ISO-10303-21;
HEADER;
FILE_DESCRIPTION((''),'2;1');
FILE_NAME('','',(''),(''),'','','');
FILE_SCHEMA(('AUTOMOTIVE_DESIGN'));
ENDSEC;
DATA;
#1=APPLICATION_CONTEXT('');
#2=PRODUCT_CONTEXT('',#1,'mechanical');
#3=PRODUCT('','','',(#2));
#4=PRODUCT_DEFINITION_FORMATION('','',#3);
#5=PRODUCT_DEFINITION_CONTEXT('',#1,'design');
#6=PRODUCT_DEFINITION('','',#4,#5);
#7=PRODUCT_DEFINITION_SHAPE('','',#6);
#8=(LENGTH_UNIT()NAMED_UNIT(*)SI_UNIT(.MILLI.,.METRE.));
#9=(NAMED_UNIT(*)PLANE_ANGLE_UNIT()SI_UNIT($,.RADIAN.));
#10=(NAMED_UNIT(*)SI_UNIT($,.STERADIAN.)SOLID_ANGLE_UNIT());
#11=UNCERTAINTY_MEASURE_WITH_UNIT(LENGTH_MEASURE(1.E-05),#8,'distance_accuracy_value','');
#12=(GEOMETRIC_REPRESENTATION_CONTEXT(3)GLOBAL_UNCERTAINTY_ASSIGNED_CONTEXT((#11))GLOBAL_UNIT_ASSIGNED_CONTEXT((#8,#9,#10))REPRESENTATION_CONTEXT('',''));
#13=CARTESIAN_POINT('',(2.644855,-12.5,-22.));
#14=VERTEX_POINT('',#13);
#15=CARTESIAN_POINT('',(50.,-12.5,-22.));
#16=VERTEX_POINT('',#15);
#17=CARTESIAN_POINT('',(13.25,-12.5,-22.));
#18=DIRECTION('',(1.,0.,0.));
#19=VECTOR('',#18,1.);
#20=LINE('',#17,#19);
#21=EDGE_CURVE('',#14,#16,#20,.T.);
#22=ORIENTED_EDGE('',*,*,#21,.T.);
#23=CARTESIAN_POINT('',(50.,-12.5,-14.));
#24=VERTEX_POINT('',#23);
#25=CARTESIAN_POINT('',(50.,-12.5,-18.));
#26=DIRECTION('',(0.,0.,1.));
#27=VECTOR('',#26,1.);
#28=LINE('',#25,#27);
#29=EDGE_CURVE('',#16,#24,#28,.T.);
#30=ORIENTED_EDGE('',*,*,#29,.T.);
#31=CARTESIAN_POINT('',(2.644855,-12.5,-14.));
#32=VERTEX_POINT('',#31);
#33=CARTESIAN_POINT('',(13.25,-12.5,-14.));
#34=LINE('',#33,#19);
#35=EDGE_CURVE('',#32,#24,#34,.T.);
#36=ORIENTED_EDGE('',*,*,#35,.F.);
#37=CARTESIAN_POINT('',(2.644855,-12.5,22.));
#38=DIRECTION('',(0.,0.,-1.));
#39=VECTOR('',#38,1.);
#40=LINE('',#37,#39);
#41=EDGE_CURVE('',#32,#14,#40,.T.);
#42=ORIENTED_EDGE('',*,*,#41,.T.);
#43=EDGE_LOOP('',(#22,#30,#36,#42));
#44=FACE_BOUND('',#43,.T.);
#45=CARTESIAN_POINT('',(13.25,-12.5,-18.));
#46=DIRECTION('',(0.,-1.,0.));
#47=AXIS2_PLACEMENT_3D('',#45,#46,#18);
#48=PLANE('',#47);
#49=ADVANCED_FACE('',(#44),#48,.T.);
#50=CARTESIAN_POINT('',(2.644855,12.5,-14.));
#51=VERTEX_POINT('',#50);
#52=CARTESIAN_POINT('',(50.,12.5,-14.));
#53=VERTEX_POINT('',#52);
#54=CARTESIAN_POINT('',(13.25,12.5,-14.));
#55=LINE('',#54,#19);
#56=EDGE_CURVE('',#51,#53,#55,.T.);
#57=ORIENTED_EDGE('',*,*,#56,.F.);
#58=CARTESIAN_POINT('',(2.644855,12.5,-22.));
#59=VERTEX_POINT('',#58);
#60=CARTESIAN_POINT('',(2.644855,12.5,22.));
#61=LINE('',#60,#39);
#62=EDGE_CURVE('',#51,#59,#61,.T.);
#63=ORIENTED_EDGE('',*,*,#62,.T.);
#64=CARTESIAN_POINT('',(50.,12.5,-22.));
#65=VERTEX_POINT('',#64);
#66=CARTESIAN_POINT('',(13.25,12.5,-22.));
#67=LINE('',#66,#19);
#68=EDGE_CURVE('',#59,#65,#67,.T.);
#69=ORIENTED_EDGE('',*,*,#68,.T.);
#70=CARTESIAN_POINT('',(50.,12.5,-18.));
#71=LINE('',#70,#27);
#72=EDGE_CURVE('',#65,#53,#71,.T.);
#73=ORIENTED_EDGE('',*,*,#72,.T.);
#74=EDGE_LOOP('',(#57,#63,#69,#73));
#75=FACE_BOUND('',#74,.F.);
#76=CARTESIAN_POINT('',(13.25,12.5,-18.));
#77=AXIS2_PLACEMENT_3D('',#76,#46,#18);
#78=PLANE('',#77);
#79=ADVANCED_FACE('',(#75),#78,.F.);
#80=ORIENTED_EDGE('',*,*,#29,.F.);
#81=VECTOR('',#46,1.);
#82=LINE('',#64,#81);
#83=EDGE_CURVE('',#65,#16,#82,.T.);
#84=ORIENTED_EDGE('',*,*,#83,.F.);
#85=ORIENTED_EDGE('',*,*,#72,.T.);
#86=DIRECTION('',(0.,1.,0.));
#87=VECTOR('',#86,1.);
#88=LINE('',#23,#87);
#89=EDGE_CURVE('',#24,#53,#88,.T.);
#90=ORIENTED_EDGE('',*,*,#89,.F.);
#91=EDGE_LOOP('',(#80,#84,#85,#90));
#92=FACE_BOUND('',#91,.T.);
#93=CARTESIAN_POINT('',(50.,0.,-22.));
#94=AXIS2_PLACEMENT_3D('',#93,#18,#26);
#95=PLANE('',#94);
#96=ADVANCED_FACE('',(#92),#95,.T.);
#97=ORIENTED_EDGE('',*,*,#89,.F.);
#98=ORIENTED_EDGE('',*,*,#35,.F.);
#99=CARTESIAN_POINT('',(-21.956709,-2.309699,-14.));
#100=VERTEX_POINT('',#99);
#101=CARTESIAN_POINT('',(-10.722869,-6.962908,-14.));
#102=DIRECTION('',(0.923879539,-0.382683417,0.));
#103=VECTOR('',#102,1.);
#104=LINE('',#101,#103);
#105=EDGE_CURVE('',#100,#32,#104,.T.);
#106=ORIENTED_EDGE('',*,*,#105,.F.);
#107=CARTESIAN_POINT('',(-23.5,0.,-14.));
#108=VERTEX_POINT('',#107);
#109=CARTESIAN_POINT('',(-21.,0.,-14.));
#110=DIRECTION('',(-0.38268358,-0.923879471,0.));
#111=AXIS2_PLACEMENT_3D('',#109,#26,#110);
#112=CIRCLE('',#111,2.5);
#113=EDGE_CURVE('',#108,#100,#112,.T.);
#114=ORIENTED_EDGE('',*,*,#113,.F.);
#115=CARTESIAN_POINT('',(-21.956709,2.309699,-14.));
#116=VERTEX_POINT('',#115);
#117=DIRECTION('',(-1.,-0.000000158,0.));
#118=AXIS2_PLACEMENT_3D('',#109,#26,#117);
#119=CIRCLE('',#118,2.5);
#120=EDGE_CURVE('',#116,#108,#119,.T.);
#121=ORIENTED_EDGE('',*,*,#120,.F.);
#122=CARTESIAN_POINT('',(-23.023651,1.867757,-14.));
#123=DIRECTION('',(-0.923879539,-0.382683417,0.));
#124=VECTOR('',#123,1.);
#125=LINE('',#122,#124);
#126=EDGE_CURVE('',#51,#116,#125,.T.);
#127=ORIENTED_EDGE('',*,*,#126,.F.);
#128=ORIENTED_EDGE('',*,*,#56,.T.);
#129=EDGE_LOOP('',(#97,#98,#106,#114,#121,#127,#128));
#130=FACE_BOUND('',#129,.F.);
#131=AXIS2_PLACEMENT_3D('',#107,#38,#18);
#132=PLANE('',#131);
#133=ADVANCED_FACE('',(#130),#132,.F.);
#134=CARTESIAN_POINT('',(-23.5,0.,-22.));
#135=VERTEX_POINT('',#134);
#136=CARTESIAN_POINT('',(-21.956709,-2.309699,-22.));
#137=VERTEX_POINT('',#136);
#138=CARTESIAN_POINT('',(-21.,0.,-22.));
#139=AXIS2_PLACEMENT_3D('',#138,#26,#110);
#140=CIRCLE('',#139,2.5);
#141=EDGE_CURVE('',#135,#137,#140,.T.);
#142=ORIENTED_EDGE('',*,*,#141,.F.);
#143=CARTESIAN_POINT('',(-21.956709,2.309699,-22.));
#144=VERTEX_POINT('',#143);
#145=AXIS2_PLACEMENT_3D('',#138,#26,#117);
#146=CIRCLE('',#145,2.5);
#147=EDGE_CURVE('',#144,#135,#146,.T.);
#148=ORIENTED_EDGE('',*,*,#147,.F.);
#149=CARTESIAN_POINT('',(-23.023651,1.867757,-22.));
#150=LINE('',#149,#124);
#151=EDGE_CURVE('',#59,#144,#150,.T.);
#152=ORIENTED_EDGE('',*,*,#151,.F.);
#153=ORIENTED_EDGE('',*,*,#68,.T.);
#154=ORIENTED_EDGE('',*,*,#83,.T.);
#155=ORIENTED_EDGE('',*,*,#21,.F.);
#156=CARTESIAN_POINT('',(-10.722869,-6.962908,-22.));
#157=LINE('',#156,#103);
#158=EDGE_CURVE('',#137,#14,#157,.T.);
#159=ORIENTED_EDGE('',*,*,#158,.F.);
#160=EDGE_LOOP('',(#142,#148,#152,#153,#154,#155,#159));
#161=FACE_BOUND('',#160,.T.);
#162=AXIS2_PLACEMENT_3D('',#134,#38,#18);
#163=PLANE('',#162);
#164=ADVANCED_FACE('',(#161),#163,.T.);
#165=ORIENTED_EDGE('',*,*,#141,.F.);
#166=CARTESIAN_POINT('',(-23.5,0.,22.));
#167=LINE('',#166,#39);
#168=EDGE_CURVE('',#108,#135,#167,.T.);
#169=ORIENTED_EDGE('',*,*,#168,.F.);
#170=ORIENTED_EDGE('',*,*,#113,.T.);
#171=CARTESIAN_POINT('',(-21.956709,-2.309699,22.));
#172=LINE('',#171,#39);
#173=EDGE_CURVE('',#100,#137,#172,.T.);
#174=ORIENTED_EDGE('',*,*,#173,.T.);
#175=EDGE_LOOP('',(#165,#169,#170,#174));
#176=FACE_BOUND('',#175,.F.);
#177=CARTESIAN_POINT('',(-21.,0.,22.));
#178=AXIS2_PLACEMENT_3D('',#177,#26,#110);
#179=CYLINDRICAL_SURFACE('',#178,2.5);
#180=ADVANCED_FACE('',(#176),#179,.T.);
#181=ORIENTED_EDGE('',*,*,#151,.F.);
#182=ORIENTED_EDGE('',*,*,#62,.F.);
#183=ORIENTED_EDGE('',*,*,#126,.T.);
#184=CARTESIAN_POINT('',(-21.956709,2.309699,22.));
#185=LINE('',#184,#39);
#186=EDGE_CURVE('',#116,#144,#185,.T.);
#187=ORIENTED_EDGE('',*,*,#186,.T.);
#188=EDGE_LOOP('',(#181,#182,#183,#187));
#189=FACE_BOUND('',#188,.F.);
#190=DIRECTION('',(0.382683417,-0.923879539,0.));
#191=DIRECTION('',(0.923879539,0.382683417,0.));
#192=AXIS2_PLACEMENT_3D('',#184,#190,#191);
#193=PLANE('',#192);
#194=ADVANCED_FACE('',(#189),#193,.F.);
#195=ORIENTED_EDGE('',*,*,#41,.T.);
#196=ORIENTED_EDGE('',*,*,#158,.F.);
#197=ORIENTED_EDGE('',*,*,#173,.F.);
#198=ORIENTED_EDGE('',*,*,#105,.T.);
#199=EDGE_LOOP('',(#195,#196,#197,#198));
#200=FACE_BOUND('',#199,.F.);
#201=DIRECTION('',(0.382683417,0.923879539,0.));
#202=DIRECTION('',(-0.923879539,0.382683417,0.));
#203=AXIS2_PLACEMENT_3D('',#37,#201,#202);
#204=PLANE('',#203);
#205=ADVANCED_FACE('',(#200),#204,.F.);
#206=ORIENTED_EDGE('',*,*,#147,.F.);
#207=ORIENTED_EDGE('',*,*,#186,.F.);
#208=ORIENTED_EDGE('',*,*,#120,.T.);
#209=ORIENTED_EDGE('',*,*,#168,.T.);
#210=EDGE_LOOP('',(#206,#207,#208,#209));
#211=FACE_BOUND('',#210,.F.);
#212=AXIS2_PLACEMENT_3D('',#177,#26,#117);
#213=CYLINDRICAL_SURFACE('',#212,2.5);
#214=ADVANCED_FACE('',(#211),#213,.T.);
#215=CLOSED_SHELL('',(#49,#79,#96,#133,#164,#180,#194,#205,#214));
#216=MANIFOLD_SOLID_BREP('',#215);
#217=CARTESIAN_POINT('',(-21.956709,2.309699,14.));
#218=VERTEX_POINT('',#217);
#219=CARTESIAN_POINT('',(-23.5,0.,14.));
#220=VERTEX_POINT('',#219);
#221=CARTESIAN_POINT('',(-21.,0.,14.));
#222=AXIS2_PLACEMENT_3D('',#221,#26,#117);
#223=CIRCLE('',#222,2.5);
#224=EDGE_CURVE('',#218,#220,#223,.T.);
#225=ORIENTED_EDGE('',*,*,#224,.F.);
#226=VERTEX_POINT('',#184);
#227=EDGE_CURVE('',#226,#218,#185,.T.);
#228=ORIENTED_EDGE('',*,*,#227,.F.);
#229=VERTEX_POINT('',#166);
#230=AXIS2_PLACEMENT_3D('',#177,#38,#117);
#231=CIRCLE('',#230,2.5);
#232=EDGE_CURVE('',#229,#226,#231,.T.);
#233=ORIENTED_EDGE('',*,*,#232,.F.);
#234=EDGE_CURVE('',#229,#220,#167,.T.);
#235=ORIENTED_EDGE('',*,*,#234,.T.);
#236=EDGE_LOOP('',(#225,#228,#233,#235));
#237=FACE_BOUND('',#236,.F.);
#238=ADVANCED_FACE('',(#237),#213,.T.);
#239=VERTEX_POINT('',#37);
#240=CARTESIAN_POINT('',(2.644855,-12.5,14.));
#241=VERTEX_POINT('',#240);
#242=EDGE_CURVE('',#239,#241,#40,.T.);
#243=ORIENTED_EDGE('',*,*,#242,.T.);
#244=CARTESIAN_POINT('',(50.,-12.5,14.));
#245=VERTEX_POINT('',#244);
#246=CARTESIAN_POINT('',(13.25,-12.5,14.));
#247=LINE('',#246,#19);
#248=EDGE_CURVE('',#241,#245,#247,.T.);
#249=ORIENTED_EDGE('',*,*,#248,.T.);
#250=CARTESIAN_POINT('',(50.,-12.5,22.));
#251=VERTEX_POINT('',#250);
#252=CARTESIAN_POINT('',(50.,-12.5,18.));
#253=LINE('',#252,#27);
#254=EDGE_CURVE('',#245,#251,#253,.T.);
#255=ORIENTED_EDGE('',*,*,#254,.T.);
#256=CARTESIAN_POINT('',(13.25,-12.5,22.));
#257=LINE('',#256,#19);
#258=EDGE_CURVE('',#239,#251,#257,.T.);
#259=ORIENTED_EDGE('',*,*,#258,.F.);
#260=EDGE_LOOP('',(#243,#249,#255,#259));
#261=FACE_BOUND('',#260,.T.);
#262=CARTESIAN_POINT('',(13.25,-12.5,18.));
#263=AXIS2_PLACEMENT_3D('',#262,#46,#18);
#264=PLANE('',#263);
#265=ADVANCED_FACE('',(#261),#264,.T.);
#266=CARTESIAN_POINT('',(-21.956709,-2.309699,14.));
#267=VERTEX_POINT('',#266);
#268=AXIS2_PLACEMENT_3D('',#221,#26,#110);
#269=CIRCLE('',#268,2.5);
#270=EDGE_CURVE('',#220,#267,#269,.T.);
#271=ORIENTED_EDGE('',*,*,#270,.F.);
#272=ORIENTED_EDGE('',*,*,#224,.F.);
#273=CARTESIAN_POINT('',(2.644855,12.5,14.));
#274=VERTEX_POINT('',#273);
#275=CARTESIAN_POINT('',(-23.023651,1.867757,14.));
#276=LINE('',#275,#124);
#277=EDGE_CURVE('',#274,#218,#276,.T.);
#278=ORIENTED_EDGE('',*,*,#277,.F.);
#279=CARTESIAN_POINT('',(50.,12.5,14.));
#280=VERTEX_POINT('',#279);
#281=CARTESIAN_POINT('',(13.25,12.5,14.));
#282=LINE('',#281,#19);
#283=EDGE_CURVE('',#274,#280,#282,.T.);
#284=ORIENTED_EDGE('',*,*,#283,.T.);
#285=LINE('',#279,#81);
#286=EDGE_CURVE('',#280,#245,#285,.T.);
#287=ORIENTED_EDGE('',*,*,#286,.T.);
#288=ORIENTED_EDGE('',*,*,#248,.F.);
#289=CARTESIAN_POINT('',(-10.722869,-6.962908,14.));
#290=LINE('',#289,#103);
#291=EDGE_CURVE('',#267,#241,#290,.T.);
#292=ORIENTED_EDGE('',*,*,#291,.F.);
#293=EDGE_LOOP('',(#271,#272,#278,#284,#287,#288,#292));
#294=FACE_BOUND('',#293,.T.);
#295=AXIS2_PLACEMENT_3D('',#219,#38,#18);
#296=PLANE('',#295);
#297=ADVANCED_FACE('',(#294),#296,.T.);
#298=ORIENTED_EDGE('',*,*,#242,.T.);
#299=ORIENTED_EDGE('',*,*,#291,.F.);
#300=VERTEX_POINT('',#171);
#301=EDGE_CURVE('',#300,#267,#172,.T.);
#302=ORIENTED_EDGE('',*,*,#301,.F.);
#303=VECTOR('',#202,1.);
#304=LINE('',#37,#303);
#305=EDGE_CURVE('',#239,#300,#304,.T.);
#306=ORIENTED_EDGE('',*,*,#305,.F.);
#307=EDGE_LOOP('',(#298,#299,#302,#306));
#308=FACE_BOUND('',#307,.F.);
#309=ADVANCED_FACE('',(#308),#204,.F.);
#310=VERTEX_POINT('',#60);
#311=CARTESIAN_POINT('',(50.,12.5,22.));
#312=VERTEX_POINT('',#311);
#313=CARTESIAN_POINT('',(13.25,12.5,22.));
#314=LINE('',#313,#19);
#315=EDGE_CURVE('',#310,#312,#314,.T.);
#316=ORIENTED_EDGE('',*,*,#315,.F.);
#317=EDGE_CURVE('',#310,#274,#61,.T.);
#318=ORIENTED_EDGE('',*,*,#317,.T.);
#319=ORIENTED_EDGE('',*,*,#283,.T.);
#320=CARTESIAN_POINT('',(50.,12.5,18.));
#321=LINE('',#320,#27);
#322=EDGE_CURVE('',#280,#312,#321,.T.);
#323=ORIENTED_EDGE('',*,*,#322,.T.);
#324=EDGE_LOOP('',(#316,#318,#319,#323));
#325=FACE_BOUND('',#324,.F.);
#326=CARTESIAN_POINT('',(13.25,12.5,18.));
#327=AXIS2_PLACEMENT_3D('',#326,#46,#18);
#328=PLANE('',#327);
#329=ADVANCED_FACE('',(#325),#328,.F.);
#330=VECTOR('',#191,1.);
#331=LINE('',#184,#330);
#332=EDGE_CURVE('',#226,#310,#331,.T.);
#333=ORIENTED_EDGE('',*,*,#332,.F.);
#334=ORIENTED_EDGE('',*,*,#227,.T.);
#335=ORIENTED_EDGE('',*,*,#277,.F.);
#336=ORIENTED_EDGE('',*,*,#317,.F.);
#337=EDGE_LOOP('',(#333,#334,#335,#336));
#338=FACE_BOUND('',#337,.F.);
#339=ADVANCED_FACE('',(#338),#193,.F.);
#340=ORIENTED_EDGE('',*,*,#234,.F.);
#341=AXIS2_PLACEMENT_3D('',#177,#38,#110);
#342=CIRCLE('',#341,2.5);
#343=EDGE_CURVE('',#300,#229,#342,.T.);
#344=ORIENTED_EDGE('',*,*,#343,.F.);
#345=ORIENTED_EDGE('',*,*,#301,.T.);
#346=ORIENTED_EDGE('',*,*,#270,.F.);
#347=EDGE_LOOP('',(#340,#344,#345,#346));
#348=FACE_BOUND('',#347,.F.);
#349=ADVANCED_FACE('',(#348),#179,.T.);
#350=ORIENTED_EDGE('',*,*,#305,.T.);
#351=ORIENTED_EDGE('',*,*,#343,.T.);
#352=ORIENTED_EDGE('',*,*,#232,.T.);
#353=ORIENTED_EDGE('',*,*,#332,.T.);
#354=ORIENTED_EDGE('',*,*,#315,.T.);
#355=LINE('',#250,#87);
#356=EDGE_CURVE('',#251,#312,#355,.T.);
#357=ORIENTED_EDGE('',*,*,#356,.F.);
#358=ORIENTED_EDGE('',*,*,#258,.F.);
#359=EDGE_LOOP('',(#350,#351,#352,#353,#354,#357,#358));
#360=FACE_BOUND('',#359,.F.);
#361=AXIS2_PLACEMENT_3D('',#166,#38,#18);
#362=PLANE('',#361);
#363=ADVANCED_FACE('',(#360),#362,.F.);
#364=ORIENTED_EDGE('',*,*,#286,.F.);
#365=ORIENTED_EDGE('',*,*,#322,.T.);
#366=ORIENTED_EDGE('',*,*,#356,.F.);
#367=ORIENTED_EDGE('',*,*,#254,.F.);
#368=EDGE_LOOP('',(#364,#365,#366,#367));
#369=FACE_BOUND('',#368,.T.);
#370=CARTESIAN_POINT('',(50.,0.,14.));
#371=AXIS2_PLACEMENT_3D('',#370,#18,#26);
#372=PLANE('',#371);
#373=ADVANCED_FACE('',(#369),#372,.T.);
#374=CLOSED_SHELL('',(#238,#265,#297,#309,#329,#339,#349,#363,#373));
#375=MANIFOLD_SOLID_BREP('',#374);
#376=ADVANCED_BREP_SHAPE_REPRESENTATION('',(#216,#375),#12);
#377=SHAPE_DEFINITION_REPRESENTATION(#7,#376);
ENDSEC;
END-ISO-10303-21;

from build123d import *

# Parameters (mm, degrees)
F2_W          = 73.5
F2_H          = 8
F3_DEPTH      = 12.5
F3_DEPTH_BACK = 12.5
F4_DEPTH      = 12.5
F4_DEPTH_BACK = 12.5
F6_DEPTH      = 44.001


with BuildPart() as f3:
    # F2 (on Front) → F3 (new body, two sides)
    with BuildSketch(Plane.XZ) as f3_sk:
        with Locations((13.25, 18)):
            Rectangle(F2_W, F2_H)
    extrude(amount=F3_DEPTH)
    extrude(f3_sk.sketch, amount=-F3_DEPTH_BACK)


with BuildPart() as f4:
    # F2 (on Front) → F4 (new body, two sides)
    with BuildSketch(Plane.XZ) as f4_sk:
        with Locations((13.25, -18)):
            Rectangle(F2_W, F2_H)
    extrude(amount=F4_DEPTH)
    extrude(f4_sk.sketch, amount=-F4_DEPTH_BACK)


with BuildPart() as f6_tool:
    # F5 (on face) → F6 (new body, through all)
    with BuildSketch(Plane.XY.offset(22)):
        with BuildLine():
            ThreePointArc((-23.5, 0), (-23.078674, 1.388926), (-21.956709, 2.309699))
            Line((-21.956709, 2.309699), (2.644855, 12.5))
            Line((2.644855, 12.5), (-23.5, 12.5))
            Line((-23.5, 12.5), (-23.5, 0))
        make_face()
        with BuildLine():
            ThreePointArc((-21.956709, -2.309699), (-23.078674, -1.388926), (-23.5, 0))
            Line((-23.5, 0), (-23.5, -12.5))
            Line((-23.5, -12.5), (2.644855, -12.5))
            Line((2.644855, -12.5), (-21.956709, -2.309699))
        make_face()
    extrude(amount=-F6_DEPTH)


with BuildPart() as f3_1:
    add(f3.part)

    # F6: cut by f6_tool
    add(f6_tool.part, mode=Mode.SUBTRACT)


with BuildPart() as f4_1:
    add(f4.part)

    # F6: cut by f6_tool
    add(f6_tool.part, mode=Mode.SUBTRACT)


solid = Compound([f3_1.part, f4_1.part])
